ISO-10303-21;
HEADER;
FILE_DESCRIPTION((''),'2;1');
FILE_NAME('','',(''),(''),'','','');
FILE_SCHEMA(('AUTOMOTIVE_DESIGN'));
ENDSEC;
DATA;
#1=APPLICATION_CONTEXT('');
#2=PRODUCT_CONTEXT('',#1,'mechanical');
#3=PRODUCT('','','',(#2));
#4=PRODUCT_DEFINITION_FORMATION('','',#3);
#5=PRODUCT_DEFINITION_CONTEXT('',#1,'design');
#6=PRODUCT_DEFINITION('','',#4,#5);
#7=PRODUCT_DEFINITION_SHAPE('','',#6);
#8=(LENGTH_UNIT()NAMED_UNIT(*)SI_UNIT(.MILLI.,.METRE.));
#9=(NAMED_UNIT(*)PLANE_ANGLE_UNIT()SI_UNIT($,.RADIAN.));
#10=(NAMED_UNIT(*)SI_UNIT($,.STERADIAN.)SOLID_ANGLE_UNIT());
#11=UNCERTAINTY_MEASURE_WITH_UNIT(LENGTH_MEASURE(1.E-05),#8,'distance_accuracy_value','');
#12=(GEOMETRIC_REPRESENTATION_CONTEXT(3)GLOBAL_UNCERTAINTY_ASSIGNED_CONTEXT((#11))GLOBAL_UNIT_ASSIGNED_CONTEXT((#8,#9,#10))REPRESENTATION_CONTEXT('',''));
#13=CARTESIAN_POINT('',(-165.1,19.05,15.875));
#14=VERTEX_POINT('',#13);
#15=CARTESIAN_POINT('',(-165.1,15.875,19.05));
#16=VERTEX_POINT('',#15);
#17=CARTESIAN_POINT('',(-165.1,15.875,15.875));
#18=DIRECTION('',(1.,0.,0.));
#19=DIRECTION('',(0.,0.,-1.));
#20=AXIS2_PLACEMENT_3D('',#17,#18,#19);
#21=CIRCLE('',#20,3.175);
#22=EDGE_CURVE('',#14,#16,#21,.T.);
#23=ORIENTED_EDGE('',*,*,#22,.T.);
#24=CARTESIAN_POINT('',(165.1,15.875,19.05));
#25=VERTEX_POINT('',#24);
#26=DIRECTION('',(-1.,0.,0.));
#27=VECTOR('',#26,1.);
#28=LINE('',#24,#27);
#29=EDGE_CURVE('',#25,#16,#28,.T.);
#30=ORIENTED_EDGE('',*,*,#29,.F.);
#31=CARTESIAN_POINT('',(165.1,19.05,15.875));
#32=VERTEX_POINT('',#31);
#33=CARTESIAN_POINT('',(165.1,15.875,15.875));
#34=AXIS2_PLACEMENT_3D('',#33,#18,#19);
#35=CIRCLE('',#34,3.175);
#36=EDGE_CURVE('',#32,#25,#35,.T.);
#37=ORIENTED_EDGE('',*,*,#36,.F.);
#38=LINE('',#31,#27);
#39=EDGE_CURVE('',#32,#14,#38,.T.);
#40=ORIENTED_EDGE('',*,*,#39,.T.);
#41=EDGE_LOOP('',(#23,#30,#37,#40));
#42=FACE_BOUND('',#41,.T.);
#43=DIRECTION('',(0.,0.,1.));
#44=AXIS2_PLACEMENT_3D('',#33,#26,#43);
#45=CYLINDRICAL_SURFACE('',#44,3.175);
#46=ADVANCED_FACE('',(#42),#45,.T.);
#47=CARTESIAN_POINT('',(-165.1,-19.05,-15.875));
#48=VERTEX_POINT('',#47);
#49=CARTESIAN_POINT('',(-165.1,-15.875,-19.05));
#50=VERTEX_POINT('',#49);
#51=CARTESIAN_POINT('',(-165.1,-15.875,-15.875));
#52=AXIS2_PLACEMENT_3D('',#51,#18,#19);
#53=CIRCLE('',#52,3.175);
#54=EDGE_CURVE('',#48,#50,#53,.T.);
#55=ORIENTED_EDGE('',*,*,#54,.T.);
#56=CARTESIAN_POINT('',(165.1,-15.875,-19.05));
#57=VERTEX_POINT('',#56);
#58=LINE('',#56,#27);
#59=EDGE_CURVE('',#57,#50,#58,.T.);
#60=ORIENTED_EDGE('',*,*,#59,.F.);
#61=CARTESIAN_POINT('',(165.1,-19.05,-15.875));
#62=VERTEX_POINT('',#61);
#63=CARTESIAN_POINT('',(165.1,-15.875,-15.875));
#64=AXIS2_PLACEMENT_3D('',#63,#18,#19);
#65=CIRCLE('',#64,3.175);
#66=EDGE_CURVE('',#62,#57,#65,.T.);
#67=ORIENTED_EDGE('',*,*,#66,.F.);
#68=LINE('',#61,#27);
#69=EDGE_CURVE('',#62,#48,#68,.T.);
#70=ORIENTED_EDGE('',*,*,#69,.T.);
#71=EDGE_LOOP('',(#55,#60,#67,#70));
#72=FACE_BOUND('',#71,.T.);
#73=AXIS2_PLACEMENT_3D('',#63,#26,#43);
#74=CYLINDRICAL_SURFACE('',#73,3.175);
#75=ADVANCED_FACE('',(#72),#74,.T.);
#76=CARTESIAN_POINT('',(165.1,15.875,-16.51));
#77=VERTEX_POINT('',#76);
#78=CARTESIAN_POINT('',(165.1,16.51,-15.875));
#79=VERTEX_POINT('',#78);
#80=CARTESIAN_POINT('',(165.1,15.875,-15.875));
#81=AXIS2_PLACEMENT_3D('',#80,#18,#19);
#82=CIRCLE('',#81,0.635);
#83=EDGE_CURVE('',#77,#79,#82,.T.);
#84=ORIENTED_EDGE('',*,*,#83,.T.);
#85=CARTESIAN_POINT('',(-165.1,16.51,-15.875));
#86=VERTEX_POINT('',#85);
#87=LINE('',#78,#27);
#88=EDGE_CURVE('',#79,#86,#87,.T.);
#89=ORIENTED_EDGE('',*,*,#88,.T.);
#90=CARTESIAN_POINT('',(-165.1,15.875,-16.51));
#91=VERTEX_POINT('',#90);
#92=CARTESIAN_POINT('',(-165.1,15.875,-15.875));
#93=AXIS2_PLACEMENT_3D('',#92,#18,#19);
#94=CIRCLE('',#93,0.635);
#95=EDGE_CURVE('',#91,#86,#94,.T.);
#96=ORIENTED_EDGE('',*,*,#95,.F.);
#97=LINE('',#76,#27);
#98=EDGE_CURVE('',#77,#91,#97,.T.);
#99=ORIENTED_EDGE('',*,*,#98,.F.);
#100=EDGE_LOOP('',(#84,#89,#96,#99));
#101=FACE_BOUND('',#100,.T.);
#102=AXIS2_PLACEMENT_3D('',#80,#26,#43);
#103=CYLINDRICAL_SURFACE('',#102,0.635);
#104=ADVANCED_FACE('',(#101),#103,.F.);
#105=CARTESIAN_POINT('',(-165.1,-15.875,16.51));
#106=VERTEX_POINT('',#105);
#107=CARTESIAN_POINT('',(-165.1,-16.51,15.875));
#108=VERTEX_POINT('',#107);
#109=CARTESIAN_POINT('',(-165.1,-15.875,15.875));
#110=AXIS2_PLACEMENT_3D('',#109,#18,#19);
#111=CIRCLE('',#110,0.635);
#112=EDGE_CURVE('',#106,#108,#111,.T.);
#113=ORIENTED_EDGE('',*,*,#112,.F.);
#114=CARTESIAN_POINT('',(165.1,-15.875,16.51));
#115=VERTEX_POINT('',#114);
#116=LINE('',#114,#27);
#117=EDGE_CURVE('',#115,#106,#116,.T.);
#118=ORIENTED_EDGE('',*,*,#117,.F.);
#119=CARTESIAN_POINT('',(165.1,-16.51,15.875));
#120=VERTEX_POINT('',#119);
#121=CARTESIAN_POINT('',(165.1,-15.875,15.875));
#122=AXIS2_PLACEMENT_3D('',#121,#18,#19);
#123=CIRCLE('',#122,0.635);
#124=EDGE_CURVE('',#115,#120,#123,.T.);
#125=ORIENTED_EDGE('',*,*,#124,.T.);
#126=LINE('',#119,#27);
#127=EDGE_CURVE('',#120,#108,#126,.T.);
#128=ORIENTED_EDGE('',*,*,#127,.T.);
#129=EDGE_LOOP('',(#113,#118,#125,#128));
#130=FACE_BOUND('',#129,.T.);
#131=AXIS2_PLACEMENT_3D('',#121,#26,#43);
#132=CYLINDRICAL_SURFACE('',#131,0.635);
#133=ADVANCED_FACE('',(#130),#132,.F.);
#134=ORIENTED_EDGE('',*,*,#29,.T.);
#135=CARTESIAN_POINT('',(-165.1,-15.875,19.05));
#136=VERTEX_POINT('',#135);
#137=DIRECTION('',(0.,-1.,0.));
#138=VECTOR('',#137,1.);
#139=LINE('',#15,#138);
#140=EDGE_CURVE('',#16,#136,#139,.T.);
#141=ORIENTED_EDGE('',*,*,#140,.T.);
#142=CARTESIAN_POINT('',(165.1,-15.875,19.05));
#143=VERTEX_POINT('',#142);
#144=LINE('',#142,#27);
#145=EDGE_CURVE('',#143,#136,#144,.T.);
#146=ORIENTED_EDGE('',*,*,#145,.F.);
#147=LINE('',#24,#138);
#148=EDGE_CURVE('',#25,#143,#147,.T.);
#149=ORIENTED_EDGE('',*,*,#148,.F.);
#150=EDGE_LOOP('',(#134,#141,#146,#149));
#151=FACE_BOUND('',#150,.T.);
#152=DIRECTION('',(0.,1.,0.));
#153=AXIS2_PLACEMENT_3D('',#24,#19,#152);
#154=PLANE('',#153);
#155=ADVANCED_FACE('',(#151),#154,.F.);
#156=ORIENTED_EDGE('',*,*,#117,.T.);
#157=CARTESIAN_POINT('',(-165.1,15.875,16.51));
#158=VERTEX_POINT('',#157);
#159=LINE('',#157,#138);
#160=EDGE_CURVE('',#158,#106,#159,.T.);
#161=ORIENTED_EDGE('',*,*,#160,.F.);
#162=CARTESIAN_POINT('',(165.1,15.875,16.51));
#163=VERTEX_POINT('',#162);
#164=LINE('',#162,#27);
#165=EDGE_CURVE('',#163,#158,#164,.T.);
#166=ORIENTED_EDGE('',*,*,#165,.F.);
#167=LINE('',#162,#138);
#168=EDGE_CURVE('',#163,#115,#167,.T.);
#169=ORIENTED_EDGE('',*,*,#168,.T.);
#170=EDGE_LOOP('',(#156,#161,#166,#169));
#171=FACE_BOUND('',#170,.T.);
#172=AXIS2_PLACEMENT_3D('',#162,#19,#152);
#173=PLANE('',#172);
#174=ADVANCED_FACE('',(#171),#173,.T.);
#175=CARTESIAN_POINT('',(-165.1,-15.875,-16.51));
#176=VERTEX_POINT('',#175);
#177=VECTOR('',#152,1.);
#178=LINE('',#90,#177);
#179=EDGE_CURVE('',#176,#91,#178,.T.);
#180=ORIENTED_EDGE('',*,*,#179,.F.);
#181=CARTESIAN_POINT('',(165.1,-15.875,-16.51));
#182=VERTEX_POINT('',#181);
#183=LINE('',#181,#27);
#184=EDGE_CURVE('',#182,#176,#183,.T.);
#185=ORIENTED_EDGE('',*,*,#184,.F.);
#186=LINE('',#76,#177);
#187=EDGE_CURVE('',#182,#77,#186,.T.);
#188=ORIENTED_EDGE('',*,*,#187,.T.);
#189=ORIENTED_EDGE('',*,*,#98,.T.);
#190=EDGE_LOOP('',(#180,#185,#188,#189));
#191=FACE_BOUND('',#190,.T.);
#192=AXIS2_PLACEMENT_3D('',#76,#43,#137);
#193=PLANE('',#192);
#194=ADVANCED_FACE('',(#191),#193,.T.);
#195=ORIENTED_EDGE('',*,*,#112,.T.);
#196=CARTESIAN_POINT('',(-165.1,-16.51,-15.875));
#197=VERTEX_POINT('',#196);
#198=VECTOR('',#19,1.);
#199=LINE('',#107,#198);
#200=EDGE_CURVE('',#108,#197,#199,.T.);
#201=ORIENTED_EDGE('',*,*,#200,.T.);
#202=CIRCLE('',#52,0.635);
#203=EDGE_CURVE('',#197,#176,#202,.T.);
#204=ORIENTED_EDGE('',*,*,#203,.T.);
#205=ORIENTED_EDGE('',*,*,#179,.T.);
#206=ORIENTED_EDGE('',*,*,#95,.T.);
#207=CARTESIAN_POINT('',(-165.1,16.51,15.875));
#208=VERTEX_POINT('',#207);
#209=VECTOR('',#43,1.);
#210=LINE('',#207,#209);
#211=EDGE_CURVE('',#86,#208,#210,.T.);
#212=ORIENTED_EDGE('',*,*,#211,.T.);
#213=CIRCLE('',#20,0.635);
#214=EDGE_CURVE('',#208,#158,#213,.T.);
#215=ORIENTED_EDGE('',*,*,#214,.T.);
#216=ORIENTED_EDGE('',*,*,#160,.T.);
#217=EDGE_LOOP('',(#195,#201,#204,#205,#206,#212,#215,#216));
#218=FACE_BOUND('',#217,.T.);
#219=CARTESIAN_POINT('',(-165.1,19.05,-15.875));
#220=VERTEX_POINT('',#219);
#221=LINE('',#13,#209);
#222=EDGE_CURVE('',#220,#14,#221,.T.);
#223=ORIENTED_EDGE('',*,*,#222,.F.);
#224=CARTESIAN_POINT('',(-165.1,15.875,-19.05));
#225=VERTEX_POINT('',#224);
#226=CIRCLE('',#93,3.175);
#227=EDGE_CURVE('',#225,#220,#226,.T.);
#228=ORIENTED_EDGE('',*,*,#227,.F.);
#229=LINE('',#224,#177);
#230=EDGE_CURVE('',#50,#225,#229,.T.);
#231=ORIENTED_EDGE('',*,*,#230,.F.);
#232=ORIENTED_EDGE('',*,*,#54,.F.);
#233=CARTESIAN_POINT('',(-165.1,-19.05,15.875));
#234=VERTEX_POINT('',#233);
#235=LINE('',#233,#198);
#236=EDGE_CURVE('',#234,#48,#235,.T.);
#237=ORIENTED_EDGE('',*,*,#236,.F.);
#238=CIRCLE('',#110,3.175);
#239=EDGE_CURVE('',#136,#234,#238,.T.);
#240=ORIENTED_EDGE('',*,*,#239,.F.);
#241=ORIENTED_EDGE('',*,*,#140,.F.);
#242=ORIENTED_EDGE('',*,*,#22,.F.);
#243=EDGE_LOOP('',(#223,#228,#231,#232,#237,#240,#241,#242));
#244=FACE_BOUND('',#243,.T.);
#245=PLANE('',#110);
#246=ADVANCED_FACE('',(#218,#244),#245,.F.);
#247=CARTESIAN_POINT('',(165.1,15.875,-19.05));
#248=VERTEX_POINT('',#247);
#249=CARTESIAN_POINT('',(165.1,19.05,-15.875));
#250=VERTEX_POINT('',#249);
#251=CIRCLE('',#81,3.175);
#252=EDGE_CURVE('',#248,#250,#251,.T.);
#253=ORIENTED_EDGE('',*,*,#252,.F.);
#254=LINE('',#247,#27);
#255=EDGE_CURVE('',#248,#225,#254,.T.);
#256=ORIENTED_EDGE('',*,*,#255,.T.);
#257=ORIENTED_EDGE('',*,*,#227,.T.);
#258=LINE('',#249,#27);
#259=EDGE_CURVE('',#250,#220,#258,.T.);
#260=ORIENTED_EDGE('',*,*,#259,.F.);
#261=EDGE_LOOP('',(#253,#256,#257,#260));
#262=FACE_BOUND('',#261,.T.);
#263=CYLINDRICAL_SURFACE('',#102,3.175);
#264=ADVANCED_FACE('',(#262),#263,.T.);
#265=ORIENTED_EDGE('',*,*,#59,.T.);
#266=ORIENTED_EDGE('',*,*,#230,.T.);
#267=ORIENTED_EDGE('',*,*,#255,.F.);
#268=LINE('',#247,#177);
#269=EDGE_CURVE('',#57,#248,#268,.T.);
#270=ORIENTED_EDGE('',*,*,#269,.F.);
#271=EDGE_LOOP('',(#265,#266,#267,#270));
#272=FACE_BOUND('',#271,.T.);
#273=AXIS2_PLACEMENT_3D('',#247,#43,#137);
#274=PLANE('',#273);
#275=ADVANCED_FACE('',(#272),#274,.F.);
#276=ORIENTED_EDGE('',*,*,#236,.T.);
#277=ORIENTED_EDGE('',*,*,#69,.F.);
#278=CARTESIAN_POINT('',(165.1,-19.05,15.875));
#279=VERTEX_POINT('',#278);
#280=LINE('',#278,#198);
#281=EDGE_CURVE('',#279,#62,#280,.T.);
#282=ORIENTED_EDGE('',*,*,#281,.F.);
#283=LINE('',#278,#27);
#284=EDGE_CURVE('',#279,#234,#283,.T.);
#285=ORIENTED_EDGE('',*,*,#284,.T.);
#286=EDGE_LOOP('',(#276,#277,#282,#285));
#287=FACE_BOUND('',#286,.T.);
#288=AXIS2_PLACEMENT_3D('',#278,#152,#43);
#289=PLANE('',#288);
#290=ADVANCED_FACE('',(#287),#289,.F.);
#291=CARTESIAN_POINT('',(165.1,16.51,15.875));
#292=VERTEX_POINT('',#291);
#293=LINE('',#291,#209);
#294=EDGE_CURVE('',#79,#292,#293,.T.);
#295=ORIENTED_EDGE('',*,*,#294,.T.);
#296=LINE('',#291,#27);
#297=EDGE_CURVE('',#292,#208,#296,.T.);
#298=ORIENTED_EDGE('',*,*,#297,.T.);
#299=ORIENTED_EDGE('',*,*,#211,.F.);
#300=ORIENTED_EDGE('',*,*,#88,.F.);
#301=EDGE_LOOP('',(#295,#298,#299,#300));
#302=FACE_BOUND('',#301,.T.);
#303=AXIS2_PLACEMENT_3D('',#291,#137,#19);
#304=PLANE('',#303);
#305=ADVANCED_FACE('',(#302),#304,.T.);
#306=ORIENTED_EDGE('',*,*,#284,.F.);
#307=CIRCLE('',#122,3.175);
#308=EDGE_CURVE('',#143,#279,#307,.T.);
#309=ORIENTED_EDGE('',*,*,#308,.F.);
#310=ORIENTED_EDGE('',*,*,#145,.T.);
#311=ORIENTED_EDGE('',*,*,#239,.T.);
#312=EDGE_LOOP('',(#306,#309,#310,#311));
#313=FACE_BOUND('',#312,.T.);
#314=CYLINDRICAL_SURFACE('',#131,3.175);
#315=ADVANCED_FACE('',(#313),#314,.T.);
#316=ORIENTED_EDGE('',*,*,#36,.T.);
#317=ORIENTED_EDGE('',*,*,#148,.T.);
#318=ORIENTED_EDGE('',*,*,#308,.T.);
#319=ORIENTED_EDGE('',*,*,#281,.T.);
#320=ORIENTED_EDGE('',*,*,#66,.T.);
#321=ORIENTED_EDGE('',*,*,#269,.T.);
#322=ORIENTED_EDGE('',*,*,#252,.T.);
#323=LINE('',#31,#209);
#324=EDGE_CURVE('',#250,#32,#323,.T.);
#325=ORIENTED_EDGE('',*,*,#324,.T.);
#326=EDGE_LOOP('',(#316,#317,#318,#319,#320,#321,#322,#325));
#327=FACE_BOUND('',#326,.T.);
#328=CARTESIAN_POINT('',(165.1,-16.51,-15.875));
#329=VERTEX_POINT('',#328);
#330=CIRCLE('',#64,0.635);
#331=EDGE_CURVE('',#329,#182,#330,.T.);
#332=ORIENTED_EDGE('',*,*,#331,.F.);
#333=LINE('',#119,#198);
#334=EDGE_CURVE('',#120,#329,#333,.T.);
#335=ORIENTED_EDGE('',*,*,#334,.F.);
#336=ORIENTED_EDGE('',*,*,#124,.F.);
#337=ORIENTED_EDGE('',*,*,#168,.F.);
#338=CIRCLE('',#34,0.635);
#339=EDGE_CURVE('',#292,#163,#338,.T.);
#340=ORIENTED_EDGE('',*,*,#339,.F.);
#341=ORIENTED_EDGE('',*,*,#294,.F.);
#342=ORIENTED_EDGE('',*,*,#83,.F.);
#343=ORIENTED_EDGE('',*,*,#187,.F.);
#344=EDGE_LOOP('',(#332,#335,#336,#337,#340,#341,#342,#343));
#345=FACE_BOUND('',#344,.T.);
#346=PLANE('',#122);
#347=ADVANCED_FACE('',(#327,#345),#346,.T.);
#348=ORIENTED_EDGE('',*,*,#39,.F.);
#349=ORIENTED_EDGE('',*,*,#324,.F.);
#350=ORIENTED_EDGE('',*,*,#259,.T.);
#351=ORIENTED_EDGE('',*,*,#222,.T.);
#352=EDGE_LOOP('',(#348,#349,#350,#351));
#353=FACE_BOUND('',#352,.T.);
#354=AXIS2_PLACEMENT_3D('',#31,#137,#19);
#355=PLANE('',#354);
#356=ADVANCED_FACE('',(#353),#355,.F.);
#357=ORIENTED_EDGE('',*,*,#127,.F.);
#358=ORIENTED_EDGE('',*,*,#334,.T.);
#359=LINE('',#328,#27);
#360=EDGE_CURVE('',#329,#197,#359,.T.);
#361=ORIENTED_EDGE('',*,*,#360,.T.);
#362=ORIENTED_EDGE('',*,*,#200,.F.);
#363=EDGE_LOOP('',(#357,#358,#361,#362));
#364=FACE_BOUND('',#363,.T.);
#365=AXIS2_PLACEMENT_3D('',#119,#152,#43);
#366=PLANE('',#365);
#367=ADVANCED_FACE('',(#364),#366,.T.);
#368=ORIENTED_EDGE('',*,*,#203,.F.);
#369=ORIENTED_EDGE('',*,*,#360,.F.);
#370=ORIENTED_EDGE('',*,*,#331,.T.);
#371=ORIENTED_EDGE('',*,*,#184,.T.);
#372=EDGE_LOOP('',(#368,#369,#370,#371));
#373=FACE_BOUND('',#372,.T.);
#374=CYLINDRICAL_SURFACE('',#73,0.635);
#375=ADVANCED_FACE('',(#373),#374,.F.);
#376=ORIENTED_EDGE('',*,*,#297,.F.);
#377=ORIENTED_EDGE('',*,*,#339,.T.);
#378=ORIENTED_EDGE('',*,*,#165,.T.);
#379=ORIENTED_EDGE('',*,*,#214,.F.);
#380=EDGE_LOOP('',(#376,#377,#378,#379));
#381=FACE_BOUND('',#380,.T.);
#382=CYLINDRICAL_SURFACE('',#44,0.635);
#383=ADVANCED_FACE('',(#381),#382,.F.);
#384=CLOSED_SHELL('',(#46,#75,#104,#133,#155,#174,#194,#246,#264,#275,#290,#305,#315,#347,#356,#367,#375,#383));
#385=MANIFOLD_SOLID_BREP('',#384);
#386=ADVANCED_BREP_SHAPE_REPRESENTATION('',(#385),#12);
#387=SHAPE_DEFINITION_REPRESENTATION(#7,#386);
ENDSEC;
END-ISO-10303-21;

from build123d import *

# Parameters (mm, degrees)
EXTRUDE_THIN1_DEPTH = 165.1


with BuildPart() as part:
    # Sketch1 → Extrude-Thin1 (new body, symmetric)
    with BuildSketch(Plane(origin=(0, 0, 0), x_dir=(0, 0, -1), z_dir=(1, 0, 0))):
        with BuildLine():
            Line((-15.875, 19.05), (15.875, 19.05))
            ThreePointArc((15.875, 19.05), (18.12006403, 18.12006403), (19.05, 15.875))
            Line((19.05, 15.875), (19.05, -15.875))
            ThreePointArc((19.05, -15.875), (18.12006403, -18.12006403), (15.875, -19.05))
            Line((15.875, -19.05), (-15.875, -19.05))
            ThreePointArc((-15.875, -19.05), (-18.12006403, -18.12006403), (-19.05, -15.875))
            Line((-19.05, -15.875), (-19.05, 15.875))
            ThreePointArc((-19.05, 15.875), (-18.12006403, 18.12006403), (-15.875, 19.05))
        make_face()
        with BuildLine():
            Line((-15.875, 16.51), (15.875, 16.51))
            ThreePointArc((15.875, 16.51), (16.324012806, 16.324012806), (16.51, 15.875))
            Line((16.51, 15.875), (16.51, -15.875))
            ThreePointArc((16.51, -15.875), (16.324012806, -16.324012806), (15.875, -16.51))
            Line((15.875, -16.51), (-15.875, -16.51))
            ThreePointArc((-15.875, -16.51), (-16.324012806, -16.324012806), (-16.51, -15.875))
            Line((-16.51, -15.875), (-16.51, 15.875))
            ThreePointArc((-16.51, 15.875), (-16.324012806, 16.324012806), (-15.875, 16.51))
        make_face(mode=Mode.SUBTRACT)
    extrude(amount=EXTRUDE_THIN1_DEPTH, both=True)


solid = part.part
